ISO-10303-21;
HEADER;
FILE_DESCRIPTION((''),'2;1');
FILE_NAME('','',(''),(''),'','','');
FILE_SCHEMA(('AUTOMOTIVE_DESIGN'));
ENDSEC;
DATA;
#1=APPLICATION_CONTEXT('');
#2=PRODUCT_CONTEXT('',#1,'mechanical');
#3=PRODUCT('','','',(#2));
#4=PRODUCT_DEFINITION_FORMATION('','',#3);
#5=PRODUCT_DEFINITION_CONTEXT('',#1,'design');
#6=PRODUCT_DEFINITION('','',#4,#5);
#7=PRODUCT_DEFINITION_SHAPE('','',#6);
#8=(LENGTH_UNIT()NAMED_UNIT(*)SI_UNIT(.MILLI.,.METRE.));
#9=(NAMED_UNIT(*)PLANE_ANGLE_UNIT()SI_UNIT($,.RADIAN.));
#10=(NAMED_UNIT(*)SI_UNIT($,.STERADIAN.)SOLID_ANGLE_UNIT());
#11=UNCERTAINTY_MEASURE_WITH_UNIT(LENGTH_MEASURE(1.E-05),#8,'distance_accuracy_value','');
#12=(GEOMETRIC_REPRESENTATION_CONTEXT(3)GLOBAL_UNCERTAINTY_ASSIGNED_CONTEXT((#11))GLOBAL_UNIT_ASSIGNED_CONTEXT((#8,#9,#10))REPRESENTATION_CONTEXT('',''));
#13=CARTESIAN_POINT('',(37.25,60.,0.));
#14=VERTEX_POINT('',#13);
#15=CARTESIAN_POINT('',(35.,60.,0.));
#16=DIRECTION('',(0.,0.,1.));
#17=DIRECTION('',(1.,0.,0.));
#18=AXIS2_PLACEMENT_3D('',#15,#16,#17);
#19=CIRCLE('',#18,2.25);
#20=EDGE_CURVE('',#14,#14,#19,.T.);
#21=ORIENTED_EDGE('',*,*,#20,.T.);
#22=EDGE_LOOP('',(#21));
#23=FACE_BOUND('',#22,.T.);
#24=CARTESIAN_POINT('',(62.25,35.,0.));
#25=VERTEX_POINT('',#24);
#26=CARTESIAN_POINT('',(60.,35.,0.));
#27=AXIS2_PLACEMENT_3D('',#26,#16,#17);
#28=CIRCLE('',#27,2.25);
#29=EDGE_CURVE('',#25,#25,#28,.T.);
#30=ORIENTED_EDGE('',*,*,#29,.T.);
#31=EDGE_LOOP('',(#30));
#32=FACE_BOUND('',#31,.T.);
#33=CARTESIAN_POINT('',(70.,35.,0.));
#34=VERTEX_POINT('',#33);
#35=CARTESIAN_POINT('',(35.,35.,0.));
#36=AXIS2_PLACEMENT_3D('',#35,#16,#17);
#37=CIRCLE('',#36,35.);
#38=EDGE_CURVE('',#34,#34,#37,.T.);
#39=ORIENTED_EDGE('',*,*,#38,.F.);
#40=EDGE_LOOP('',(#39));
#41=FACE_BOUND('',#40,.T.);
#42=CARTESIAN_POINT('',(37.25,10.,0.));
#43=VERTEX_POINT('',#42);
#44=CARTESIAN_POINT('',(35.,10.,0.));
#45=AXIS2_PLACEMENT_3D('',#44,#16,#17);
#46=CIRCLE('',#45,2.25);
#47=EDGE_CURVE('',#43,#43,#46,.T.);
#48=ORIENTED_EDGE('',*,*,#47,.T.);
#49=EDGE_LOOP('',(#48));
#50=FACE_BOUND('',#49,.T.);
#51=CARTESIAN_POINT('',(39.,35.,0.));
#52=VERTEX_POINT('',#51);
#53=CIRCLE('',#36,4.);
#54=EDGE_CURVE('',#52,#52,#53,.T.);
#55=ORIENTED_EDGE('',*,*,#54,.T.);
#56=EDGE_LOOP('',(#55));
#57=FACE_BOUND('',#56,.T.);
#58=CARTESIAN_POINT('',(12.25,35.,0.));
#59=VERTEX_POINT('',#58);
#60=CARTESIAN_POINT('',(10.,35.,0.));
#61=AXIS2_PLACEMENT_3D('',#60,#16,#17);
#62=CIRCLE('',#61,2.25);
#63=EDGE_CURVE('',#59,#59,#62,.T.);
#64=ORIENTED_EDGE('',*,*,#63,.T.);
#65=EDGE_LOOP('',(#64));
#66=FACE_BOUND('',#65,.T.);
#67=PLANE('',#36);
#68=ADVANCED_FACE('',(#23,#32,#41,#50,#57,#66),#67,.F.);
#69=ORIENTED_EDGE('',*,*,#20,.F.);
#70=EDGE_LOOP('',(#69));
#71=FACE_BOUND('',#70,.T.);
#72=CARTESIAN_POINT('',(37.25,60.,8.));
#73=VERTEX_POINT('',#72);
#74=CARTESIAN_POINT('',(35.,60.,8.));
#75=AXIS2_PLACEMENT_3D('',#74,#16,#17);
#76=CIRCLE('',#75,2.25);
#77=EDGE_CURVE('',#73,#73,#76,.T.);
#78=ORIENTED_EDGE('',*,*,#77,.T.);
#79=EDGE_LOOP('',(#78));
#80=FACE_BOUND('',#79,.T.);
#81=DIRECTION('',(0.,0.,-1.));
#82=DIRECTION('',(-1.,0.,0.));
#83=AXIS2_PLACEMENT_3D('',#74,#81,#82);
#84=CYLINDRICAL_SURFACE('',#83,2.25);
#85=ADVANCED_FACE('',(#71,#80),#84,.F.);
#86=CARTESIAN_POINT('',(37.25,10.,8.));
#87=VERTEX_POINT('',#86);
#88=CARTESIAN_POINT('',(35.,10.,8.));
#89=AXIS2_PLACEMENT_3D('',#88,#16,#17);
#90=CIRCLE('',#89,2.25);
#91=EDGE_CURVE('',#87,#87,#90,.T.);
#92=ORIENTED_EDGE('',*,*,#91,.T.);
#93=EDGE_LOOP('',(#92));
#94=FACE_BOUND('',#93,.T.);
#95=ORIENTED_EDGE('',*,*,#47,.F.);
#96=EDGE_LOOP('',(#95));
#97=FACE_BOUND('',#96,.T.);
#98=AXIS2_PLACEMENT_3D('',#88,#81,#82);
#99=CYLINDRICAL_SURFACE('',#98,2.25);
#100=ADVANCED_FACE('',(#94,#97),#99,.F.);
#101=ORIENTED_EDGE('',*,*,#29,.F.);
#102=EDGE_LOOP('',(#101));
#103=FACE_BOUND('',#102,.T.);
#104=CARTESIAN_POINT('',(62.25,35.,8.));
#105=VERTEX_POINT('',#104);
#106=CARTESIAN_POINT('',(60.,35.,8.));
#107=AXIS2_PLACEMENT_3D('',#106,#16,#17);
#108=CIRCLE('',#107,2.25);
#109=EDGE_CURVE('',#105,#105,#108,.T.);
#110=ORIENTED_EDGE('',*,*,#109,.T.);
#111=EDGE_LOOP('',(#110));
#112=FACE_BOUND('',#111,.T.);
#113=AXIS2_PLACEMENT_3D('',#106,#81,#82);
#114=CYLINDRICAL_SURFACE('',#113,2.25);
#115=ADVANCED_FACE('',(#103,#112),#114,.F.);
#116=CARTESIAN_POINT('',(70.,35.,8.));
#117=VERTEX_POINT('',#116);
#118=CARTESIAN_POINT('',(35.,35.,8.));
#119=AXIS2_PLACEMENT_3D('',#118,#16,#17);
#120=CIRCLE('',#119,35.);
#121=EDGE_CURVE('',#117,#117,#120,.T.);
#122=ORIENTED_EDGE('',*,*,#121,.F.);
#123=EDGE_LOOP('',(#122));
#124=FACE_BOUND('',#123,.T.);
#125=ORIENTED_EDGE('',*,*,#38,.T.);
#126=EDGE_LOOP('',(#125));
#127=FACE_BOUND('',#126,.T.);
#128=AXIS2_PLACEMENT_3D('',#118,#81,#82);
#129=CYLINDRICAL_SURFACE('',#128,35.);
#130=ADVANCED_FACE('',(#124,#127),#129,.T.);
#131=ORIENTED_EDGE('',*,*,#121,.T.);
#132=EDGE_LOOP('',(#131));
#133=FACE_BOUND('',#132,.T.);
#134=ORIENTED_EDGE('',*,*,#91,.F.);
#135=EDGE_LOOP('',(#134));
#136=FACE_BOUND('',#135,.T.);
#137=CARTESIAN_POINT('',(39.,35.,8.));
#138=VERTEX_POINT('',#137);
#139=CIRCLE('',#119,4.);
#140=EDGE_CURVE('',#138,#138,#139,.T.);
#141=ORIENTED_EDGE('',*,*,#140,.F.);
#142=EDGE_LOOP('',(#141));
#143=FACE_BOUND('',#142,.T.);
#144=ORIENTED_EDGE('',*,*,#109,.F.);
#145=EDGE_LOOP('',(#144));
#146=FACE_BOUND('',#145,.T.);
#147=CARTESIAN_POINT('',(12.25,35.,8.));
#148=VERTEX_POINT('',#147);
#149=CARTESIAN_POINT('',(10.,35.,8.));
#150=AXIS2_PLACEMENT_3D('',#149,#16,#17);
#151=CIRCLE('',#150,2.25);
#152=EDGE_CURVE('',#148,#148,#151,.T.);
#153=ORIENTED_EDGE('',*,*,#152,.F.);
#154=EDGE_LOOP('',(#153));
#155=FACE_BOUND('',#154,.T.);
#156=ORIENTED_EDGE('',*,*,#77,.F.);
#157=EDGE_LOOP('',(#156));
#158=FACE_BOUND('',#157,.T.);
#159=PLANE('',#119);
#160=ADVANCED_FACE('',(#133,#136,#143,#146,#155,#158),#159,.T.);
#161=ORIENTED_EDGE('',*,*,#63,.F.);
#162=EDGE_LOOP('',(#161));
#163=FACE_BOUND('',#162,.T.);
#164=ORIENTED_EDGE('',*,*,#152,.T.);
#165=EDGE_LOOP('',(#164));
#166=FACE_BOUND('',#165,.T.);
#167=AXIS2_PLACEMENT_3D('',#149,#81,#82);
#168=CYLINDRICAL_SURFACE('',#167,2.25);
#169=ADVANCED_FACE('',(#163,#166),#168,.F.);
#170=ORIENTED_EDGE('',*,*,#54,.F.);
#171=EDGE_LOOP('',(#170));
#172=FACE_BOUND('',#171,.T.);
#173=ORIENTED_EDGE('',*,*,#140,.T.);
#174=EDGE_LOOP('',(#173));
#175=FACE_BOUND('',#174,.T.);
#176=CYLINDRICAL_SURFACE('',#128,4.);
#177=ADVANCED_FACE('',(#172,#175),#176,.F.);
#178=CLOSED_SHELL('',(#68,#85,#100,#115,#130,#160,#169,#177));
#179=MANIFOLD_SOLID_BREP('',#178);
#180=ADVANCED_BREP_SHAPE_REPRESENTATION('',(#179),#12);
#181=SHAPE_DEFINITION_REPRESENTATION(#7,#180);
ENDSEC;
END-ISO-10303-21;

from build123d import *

# Parameters (mm, degrees)
GRIPPER_ADAPTER_R   = 35
GRIPPER_ADAPTER_R_2 = 4
GRIPPER_ADAPTER_R_3 = 2.25
F_8MM_DEPTH         = 8


with BuildPart() as part:
    # 外形与孔位_gripper_adapter → 板厚_8mm (new body)
    with BuildSketch(Plane.XY):
        with Locations((35, 35)):
            Circle(GRIPPER_ADAPTER_R)
        with Locations((35, 35)):
            Circle(GRIPPER_ADAPTER_R_2, mode=Mode.SUBTRACT)
        with Locations((60, 35)):
            Circle(GRIPPER_ADAPTER_R_3, mode=Mode.SUBTRACT)
        with Locations((35, 60)):
            Circle(GRIPPER_ADAPTER_R_3, mode=Mode.SUBTRACT)
        with Locations((10, 35)):
            Circle(GRIPPER_ADAPTER_R_3, mode=Mode.SUBTRACT)
        with Locations((35, 10)):
            Circle(GRIPPER_ADAPTER_R_3, mode=Mode.SUBTRACT)
    extrude(amount=F_8MM_DEPTH)


solid = part.part
